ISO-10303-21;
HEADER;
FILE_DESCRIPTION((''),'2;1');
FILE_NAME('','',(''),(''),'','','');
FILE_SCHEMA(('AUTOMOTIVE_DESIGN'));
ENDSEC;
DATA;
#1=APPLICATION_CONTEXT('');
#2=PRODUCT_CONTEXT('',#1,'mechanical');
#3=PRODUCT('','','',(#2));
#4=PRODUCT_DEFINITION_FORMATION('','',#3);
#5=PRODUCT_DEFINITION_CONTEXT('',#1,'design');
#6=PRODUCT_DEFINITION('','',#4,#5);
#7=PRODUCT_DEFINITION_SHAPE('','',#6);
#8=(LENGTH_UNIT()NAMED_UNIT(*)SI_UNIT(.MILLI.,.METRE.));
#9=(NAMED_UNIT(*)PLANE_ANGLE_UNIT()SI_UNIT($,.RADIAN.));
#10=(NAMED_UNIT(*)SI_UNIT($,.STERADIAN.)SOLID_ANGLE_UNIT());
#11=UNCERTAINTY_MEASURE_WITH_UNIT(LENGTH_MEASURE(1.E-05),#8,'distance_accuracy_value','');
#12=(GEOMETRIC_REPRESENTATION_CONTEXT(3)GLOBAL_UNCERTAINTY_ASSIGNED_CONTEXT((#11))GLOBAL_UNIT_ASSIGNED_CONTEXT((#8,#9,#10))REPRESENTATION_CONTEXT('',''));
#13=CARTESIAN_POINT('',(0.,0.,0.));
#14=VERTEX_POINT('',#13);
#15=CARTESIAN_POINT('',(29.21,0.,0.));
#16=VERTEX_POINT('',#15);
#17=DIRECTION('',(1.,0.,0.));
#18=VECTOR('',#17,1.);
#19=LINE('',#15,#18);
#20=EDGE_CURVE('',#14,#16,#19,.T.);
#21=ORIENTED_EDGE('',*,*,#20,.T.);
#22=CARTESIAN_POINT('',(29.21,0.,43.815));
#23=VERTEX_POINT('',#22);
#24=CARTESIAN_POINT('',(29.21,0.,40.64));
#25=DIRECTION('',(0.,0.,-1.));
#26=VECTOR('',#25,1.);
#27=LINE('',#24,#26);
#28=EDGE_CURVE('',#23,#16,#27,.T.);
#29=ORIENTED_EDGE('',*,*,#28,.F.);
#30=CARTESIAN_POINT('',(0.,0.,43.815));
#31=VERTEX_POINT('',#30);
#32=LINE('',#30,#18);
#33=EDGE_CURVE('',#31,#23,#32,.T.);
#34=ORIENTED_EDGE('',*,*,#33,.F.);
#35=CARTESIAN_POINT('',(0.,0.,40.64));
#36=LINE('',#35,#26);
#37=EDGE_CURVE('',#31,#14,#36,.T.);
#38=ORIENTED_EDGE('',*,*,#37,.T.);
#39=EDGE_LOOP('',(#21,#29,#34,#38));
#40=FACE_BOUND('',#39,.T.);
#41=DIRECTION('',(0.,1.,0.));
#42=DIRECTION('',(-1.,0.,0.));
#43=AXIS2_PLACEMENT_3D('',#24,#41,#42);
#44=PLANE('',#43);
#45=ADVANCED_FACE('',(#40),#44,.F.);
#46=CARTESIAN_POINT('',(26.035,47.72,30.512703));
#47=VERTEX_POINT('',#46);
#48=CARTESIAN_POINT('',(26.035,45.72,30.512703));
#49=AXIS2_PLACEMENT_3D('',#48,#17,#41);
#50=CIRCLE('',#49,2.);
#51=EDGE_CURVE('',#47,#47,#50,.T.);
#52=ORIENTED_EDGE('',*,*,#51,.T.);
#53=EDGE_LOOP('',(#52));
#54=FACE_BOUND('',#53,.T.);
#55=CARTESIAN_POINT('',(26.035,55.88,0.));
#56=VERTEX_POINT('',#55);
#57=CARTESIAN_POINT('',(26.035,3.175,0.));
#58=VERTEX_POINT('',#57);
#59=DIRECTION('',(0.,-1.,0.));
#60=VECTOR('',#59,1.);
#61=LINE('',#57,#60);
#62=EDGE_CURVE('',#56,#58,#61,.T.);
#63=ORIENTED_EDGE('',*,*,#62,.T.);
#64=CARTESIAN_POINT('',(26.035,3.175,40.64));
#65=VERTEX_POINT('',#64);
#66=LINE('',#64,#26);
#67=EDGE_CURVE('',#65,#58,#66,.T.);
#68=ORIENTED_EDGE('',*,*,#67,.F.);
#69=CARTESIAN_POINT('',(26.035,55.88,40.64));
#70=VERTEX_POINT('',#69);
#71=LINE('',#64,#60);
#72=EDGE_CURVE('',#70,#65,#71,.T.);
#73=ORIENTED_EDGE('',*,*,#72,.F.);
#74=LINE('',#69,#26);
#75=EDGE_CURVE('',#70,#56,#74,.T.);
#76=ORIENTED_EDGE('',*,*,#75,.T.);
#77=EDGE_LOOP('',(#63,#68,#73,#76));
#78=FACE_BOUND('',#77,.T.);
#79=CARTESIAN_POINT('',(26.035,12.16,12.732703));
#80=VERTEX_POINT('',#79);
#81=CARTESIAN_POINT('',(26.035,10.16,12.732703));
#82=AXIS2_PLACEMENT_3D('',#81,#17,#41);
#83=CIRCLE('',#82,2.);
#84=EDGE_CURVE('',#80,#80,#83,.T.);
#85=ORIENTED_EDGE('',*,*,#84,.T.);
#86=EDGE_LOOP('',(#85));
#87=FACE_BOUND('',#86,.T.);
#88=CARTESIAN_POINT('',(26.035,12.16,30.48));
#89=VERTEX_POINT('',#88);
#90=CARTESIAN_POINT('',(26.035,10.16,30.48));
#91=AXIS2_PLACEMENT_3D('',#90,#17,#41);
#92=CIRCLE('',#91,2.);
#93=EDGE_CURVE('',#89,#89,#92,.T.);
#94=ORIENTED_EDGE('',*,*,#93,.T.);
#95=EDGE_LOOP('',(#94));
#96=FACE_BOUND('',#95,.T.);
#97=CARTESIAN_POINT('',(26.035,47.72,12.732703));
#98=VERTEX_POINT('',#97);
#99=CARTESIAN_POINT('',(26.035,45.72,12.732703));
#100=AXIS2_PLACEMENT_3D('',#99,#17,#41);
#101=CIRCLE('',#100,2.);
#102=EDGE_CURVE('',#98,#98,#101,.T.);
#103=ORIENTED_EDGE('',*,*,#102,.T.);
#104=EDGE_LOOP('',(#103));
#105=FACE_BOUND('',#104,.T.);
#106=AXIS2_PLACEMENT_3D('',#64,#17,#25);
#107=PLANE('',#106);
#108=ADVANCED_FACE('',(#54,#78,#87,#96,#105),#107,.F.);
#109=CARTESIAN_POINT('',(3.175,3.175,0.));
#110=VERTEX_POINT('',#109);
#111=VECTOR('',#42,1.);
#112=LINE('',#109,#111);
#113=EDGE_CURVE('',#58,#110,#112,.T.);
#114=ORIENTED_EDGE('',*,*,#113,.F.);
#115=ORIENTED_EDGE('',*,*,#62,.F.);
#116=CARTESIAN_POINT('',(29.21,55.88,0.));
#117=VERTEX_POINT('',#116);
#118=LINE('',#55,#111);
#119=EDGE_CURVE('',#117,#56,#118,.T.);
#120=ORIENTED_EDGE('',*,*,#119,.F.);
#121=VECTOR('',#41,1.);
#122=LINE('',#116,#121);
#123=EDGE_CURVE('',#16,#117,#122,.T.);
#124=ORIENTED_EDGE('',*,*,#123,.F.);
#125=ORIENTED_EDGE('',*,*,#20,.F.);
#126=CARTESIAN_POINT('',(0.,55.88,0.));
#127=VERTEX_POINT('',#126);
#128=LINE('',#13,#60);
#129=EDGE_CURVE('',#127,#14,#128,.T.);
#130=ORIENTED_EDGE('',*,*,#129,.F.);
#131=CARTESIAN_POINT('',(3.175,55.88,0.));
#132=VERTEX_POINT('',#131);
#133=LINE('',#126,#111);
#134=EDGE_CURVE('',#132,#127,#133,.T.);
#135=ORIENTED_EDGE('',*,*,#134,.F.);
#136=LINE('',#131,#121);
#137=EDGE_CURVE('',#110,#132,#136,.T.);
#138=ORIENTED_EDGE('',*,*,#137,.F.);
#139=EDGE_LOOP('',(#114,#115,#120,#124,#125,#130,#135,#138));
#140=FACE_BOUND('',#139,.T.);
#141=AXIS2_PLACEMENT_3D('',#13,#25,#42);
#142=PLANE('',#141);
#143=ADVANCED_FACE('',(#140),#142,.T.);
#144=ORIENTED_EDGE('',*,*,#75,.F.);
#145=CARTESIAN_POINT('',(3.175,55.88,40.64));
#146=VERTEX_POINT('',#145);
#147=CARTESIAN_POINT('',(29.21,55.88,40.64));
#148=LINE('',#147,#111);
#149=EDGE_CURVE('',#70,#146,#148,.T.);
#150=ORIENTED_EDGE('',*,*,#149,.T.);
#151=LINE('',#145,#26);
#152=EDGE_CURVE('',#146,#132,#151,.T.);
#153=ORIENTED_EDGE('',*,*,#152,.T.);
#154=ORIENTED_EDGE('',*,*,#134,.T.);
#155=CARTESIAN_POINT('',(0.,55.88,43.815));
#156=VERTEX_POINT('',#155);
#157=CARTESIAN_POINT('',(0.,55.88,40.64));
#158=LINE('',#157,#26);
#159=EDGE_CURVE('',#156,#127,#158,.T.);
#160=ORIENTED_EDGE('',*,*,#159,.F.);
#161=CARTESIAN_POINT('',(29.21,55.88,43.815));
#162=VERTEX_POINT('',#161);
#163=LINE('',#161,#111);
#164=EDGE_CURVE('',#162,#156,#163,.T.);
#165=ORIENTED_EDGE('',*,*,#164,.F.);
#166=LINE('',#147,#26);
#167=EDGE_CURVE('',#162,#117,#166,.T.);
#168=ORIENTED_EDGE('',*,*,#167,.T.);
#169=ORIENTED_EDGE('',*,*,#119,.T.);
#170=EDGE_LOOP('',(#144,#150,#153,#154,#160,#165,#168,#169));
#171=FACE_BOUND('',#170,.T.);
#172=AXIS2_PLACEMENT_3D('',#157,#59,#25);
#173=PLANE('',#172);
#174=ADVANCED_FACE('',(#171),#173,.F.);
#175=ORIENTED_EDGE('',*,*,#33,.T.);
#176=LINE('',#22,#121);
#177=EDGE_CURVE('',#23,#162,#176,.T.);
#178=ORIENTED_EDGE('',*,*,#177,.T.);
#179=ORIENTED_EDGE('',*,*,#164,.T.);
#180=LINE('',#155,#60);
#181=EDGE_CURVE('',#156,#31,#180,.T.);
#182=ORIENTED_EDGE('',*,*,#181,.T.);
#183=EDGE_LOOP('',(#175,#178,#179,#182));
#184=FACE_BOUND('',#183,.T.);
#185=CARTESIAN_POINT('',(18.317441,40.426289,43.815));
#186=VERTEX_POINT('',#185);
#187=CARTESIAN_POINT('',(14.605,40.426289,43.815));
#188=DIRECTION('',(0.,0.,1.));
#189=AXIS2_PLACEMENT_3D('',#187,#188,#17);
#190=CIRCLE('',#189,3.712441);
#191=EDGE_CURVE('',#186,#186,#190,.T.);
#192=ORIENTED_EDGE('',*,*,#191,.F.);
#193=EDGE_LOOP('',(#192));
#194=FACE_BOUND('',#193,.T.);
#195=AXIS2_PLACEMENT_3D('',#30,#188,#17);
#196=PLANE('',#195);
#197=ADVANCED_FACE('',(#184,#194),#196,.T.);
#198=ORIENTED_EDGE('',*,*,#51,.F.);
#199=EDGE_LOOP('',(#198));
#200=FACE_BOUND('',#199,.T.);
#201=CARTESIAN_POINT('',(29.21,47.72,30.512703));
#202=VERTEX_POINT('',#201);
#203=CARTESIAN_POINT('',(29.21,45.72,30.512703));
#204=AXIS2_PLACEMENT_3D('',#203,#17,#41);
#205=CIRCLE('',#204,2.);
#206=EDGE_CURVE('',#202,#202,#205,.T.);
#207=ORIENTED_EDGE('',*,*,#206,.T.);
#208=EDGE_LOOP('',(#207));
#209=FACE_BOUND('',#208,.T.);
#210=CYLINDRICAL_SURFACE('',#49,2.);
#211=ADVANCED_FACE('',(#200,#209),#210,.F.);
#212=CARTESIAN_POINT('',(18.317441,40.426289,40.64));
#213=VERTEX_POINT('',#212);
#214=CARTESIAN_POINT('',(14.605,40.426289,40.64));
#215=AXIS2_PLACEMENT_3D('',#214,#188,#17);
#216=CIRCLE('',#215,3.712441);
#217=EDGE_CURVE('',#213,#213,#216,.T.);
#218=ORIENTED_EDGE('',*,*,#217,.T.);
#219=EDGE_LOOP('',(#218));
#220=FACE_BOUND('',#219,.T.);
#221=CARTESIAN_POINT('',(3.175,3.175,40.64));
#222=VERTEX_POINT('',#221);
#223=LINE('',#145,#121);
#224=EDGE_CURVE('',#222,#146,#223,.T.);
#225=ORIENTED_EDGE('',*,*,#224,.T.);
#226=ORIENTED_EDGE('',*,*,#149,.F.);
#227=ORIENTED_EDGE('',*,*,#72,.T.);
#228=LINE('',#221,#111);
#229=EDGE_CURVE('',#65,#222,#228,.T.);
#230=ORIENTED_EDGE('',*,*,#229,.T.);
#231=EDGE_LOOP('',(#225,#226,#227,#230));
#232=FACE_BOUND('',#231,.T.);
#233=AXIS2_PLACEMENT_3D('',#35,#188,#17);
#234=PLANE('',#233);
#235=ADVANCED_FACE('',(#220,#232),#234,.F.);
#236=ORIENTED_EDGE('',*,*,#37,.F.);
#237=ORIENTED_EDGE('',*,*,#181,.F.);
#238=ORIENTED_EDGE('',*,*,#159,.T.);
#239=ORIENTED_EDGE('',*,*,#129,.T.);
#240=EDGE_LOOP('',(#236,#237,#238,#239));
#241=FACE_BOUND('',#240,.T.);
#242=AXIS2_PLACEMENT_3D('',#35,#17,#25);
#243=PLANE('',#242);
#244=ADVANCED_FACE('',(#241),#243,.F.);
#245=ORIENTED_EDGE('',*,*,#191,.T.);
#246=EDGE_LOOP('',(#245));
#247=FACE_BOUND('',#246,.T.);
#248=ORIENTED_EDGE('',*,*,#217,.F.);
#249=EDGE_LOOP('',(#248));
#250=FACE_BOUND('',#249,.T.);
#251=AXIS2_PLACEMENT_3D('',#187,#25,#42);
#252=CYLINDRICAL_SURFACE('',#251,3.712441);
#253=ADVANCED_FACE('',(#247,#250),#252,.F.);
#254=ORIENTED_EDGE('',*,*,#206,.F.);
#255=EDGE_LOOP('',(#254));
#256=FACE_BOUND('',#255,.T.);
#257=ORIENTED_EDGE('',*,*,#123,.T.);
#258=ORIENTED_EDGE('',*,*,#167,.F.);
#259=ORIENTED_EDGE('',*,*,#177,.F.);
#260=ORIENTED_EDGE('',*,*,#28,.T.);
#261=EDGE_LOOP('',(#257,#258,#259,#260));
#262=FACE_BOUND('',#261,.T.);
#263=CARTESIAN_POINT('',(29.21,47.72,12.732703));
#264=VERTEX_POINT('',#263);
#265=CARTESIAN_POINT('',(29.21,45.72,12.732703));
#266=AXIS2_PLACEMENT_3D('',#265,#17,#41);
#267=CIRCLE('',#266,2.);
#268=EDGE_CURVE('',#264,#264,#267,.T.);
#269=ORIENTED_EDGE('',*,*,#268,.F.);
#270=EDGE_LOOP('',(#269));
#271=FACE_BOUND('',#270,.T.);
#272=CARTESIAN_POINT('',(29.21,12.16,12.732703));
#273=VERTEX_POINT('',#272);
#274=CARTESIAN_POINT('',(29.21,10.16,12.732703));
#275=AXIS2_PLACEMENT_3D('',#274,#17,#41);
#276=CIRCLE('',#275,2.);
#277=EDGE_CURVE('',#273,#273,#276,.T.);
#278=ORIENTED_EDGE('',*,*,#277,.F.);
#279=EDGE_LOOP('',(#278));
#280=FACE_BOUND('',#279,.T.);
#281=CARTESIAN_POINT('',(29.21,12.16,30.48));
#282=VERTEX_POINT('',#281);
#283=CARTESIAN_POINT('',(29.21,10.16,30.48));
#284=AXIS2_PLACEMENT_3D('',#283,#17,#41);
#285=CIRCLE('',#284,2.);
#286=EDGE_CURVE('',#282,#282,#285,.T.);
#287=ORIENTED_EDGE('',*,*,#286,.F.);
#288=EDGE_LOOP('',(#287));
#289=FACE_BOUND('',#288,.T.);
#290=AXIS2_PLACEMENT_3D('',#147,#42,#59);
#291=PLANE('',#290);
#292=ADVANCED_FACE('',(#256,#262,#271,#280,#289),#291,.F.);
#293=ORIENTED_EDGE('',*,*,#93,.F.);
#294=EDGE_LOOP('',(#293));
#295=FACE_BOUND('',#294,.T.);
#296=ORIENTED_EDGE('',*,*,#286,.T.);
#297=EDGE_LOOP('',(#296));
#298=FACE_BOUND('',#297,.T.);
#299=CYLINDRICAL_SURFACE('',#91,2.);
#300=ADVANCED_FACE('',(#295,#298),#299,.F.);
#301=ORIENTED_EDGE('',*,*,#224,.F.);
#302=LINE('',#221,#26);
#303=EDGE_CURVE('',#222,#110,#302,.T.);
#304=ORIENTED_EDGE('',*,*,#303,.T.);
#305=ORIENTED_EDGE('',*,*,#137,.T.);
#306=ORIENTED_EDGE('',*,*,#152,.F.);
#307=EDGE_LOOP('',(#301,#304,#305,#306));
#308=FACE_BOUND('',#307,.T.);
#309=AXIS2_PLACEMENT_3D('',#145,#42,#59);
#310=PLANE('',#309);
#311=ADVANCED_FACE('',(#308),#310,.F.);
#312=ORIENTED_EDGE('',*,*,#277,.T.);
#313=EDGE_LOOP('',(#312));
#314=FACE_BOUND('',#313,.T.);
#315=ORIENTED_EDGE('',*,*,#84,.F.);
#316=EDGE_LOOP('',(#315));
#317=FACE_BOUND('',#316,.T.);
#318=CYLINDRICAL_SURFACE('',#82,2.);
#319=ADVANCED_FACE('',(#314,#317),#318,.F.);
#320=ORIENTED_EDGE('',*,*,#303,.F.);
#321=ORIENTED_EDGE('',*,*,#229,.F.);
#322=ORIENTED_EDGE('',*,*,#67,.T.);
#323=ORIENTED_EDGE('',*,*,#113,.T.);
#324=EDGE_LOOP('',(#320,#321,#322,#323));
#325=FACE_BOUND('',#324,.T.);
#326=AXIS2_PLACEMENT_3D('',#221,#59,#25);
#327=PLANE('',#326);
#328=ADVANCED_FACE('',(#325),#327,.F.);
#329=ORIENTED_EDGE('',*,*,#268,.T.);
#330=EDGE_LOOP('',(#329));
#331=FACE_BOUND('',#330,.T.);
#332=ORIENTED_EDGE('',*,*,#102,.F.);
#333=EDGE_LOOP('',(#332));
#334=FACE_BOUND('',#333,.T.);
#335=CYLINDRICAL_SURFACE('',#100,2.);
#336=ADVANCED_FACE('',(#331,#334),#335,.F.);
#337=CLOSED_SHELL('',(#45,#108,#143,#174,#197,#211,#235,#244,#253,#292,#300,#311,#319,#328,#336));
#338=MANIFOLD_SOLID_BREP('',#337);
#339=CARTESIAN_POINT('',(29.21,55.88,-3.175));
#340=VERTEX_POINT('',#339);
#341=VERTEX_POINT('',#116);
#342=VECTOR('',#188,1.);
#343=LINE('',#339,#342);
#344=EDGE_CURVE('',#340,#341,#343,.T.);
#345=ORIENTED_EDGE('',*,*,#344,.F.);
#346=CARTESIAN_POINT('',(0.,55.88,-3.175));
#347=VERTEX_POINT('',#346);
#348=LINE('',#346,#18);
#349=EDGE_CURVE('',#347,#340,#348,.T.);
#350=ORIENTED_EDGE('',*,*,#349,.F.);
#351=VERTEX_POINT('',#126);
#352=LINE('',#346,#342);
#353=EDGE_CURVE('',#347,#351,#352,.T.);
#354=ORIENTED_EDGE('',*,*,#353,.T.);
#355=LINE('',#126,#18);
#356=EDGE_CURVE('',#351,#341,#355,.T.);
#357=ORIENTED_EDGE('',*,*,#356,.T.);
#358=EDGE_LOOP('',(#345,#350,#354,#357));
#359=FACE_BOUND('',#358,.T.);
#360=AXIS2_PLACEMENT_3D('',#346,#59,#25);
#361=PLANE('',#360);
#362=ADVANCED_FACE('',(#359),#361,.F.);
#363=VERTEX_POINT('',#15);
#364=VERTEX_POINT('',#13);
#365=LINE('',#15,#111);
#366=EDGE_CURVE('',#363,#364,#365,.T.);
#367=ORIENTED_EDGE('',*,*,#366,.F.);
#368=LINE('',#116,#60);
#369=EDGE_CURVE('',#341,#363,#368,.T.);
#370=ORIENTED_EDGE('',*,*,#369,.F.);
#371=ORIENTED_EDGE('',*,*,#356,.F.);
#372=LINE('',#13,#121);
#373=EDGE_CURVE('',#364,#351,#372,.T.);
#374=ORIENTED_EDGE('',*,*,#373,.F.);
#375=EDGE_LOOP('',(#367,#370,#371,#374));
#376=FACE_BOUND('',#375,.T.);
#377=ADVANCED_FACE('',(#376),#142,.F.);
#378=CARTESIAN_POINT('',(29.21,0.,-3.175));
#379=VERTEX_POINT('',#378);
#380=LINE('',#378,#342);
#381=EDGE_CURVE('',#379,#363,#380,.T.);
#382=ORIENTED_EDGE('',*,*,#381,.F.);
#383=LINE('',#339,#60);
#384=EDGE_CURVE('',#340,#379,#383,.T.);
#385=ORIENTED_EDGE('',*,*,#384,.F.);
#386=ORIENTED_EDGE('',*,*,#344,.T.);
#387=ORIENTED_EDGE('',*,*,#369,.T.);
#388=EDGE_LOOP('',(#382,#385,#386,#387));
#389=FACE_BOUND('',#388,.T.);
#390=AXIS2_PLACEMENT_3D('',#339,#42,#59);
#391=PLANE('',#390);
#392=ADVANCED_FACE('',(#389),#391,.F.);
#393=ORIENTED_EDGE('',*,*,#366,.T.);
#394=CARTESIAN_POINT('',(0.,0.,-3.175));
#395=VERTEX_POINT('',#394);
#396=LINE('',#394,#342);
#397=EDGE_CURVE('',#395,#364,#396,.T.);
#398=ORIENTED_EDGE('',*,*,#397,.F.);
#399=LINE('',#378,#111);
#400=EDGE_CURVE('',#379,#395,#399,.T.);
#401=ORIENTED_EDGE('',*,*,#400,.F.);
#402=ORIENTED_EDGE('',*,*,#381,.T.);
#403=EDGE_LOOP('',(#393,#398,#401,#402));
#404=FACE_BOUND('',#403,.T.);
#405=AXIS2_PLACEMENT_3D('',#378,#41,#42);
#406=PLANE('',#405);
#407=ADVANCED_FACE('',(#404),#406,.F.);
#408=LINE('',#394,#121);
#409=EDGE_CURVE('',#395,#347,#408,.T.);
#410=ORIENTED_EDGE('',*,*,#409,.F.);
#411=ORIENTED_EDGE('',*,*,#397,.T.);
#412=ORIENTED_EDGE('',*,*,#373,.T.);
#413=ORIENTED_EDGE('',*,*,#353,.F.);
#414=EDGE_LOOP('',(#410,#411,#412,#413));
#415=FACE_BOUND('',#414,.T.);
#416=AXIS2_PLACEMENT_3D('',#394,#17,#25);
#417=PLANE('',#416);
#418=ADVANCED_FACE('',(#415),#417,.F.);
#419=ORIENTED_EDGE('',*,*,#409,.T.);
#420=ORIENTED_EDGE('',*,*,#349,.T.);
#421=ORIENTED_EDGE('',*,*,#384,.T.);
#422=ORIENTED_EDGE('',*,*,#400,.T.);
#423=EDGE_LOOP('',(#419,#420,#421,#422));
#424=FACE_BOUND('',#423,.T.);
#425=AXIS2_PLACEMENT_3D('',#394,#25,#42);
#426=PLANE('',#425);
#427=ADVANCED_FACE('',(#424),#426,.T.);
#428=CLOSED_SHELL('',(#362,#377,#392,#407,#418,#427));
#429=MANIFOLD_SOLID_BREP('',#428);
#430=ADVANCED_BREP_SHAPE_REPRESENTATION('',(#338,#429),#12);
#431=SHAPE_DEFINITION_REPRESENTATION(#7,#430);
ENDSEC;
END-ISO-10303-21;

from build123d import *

# Parameters (mm, degrees)
BOSS_EXTRUDE1_DEPTH = 40.64
SKETCH2_W           = 29.21
SKETCH2_H           = 55.88
BOSS_EXTRUDE2_DEPTH = 3.175
SKETCH3_W           = 29.21
SKETCH3_H           = 55.88
SKETCH3_R           = 3.712440594
BOSS_EXTRUDE3_DEPTH = 3.175
SKETCH4_R           = 2
CUT_EXTRUDE1_DEPTH  = 3.175


with BuildPart() as part:
    # Sketch1 → Boss-Extrude1 (new body)
    with BuildSketch(Plane.XY):
        Polygon((0, 0), (0, 55.88), (3.175, 55.88), (3.175, 3.175), (26.035, 3.175), (26.035, 55.88), (29.21, 55.88), (29.21, 0), align=None)
    extrude(amount=BOSS_EXTRUDE1_DEPTH)

    # Sketch3 → Boss-Extrude3 (add)
    with BuildSketch(Plane.XY.offset(40.64)):
        with Locations((14.605, 27.94)):
            Rectangle(SKETCH3_W, SKETCH3_H)
        with Locations((14.605, 40.426288934)):
            Circle(SKETCH3_R, mode=Mode.SUBTRACT)
    extrude(amount=BOSS_EXTRUDE3_DEPTH)

    # Sketch4 → Cut-Extrude1 (cut)
    with BuildSketch(Plane(origin=(29.21, 0, 0), x_dir=(0, 0, -1), z_dir=(1, 0, 0))):
        with Locations((-12.732703056, 45.72)):
            Circle(SKETCH4_R)
        with Locations((-30.48, 10.16)):
            Circle(SKETCH4_R)
        with Locations((-12.732703056, 10.16)):
            Circle(SKETCH4_R)
        with Locations((-30.512703056, 45.72)):
            Circle(SKETCH4_R)
    extrude(amount=-CUT_EXTRUDE1_DEPTH, mode=Mode.SUBTRACT)


with BuildPart() as body_2:
    # Sketch2 → Boss-Extrude2 (new body)
    with BuildSketch(Plane(origin=(0, 0, 0), x_dir=(-1, 0, 0), z_dir=(0, 0, -1))):
        with Locations((-14.605, 27.94)):
            Rectangle(SKETCH2_W, SKETCH2_H)
    extrude(amount=BOSS_EXTRUDE2_DEPTH)


solid = Compound([part.part, body_2.part])
